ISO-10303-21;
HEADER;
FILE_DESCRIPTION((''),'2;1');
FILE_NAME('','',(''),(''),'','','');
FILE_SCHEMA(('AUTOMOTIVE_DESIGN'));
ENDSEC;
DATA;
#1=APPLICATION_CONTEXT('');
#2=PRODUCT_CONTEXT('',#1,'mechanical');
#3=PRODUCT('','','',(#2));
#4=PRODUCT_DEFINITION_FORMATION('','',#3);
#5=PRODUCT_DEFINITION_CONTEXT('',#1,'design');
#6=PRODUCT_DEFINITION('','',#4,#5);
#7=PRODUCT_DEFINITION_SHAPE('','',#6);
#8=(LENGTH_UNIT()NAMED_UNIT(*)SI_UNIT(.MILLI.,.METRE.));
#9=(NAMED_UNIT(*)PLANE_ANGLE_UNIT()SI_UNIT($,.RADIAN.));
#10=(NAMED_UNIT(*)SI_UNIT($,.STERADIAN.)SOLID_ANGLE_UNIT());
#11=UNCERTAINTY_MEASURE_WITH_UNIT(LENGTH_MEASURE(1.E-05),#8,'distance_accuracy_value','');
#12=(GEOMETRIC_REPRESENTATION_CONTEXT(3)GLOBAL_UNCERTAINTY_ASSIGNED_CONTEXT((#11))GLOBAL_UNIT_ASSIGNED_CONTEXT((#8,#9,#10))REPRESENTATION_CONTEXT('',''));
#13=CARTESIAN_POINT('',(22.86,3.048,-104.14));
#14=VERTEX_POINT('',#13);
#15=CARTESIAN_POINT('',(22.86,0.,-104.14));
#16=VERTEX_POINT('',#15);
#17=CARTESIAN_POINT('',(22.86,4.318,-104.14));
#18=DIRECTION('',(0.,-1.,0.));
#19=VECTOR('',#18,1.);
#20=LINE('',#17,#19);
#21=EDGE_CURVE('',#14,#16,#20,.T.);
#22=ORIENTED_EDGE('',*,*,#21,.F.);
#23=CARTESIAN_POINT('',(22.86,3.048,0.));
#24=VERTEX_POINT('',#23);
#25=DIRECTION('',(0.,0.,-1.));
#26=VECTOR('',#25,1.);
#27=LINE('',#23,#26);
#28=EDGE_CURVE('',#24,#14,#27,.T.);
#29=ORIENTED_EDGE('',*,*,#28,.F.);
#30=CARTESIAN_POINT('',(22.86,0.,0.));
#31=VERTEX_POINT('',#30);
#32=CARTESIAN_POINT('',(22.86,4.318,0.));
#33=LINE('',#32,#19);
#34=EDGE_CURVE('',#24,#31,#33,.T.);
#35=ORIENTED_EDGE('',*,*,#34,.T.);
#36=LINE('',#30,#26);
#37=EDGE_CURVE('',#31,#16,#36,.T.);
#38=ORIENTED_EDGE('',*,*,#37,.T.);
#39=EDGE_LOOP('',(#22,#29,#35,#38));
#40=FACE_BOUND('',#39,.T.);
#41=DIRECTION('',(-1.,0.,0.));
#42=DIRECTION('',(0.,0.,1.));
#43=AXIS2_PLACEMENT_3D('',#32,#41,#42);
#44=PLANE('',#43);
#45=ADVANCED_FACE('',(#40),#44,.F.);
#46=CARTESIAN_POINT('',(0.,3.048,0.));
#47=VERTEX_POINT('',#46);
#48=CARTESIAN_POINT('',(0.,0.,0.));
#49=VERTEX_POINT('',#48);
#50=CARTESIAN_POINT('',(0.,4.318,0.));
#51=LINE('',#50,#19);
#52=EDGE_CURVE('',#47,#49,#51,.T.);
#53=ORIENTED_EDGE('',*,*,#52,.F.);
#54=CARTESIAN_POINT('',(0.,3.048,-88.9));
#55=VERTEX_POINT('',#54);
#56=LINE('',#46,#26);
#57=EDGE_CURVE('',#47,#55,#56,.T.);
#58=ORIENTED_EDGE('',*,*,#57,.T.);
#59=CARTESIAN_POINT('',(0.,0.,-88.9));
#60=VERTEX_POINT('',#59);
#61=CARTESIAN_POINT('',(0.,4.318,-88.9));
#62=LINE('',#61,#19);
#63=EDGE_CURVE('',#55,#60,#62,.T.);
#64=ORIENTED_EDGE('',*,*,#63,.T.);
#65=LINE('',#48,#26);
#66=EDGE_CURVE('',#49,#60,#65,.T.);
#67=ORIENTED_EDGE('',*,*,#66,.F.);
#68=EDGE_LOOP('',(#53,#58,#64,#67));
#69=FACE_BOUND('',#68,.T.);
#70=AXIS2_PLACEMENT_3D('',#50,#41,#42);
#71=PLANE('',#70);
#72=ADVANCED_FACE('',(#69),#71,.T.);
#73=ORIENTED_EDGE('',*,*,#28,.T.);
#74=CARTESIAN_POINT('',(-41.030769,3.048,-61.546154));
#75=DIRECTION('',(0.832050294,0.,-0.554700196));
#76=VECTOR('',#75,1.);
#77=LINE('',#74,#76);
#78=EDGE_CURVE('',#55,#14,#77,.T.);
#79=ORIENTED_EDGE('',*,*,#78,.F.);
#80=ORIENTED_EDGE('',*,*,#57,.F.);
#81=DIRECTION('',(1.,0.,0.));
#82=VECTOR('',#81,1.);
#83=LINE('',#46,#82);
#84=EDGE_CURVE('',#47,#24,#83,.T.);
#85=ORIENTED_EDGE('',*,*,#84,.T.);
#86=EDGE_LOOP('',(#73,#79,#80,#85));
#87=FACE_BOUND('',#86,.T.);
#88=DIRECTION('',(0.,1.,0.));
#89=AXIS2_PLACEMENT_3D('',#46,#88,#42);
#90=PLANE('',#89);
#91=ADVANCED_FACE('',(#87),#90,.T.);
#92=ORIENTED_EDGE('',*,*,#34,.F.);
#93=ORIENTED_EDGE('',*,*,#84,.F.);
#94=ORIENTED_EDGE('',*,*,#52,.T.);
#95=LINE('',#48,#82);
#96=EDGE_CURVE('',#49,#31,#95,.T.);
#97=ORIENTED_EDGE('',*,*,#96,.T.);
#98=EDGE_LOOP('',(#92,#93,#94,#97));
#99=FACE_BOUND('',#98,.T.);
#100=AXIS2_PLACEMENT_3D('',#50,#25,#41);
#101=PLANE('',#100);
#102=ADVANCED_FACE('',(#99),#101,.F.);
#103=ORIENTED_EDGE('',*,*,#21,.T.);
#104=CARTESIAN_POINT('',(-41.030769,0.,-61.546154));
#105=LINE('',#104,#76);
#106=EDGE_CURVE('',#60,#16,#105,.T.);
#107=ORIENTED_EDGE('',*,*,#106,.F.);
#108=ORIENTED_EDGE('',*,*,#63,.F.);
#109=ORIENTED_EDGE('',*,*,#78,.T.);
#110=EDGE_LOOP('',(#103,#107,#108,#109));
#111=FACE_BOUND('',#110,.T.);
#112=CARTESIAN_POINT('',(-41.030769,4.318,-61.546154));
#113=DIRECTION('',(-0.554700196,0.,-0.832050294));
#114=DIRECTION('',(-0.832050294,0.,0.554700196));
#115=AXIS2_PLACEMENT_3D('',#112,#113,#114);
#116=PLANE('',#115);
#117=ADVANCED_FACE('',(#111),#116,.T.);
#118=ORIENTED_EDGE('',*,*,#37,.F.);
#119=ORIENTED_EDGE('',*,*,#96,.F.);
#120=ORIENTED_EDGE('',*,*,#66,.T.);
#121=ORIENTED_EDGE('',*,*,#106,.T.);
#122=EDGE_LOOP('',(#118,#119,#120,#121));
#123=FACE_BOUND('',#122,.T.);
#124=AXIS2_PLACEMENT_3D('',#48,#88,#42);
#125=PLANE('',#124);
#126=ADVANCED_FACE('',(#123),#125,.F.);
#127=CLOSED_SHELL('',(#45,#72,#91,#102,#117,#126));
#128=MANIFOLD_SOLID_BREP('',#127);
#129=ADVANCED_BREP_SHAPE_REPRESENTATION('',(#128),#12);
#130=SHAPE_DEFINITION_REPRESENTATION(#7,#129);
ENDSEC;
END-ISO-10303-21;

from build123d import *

# Parameters (mm, degrees)
SKETCH1_W           = 22.86
SKETCH1_H           = 88.9
BOSS_EXTRUDE1_DEPTH = 4.318
SKETCH2_W           = 60.750131803
SKETCH2_H           = 191.324729846
CUT_EXTRUDE1_DEPTH  = 1.27


with BuildPart() as part:
    # Sketch1 → Boss-Extrude1 (new body)
    with BuildSketch(Plane(origin=(0, 0, 0), x_dir=(1, 0, 0), z_dir=(0, 1, 0))):
        Polygon((0, 88.9), (22.86, 104.14), (22.86, 88.9), align=None)
        with Locations((11.43, 44.45)):
            Rectangle(SKETCH1_W, SKETCH1_H)
    extrude(amount=BOSS_EXTRUDE1_DEPTH)

    # Sketch2 → Cut-Extrude1 (cut)
    with BuildSketch(Plane(origin=(0, 4.318, 0), x_dir=(1, 0, 0), z_dir=(0, 1, 0))):
        with Locations((18.542677223, 60.872732731)):
            Rectangle(SKETCH2_W, SKETCH2_H)
    extrude(amount=-CUT_EXTRUDE1_DEPTH, mode=Mode.SUBTRACT)


solid = part.part
